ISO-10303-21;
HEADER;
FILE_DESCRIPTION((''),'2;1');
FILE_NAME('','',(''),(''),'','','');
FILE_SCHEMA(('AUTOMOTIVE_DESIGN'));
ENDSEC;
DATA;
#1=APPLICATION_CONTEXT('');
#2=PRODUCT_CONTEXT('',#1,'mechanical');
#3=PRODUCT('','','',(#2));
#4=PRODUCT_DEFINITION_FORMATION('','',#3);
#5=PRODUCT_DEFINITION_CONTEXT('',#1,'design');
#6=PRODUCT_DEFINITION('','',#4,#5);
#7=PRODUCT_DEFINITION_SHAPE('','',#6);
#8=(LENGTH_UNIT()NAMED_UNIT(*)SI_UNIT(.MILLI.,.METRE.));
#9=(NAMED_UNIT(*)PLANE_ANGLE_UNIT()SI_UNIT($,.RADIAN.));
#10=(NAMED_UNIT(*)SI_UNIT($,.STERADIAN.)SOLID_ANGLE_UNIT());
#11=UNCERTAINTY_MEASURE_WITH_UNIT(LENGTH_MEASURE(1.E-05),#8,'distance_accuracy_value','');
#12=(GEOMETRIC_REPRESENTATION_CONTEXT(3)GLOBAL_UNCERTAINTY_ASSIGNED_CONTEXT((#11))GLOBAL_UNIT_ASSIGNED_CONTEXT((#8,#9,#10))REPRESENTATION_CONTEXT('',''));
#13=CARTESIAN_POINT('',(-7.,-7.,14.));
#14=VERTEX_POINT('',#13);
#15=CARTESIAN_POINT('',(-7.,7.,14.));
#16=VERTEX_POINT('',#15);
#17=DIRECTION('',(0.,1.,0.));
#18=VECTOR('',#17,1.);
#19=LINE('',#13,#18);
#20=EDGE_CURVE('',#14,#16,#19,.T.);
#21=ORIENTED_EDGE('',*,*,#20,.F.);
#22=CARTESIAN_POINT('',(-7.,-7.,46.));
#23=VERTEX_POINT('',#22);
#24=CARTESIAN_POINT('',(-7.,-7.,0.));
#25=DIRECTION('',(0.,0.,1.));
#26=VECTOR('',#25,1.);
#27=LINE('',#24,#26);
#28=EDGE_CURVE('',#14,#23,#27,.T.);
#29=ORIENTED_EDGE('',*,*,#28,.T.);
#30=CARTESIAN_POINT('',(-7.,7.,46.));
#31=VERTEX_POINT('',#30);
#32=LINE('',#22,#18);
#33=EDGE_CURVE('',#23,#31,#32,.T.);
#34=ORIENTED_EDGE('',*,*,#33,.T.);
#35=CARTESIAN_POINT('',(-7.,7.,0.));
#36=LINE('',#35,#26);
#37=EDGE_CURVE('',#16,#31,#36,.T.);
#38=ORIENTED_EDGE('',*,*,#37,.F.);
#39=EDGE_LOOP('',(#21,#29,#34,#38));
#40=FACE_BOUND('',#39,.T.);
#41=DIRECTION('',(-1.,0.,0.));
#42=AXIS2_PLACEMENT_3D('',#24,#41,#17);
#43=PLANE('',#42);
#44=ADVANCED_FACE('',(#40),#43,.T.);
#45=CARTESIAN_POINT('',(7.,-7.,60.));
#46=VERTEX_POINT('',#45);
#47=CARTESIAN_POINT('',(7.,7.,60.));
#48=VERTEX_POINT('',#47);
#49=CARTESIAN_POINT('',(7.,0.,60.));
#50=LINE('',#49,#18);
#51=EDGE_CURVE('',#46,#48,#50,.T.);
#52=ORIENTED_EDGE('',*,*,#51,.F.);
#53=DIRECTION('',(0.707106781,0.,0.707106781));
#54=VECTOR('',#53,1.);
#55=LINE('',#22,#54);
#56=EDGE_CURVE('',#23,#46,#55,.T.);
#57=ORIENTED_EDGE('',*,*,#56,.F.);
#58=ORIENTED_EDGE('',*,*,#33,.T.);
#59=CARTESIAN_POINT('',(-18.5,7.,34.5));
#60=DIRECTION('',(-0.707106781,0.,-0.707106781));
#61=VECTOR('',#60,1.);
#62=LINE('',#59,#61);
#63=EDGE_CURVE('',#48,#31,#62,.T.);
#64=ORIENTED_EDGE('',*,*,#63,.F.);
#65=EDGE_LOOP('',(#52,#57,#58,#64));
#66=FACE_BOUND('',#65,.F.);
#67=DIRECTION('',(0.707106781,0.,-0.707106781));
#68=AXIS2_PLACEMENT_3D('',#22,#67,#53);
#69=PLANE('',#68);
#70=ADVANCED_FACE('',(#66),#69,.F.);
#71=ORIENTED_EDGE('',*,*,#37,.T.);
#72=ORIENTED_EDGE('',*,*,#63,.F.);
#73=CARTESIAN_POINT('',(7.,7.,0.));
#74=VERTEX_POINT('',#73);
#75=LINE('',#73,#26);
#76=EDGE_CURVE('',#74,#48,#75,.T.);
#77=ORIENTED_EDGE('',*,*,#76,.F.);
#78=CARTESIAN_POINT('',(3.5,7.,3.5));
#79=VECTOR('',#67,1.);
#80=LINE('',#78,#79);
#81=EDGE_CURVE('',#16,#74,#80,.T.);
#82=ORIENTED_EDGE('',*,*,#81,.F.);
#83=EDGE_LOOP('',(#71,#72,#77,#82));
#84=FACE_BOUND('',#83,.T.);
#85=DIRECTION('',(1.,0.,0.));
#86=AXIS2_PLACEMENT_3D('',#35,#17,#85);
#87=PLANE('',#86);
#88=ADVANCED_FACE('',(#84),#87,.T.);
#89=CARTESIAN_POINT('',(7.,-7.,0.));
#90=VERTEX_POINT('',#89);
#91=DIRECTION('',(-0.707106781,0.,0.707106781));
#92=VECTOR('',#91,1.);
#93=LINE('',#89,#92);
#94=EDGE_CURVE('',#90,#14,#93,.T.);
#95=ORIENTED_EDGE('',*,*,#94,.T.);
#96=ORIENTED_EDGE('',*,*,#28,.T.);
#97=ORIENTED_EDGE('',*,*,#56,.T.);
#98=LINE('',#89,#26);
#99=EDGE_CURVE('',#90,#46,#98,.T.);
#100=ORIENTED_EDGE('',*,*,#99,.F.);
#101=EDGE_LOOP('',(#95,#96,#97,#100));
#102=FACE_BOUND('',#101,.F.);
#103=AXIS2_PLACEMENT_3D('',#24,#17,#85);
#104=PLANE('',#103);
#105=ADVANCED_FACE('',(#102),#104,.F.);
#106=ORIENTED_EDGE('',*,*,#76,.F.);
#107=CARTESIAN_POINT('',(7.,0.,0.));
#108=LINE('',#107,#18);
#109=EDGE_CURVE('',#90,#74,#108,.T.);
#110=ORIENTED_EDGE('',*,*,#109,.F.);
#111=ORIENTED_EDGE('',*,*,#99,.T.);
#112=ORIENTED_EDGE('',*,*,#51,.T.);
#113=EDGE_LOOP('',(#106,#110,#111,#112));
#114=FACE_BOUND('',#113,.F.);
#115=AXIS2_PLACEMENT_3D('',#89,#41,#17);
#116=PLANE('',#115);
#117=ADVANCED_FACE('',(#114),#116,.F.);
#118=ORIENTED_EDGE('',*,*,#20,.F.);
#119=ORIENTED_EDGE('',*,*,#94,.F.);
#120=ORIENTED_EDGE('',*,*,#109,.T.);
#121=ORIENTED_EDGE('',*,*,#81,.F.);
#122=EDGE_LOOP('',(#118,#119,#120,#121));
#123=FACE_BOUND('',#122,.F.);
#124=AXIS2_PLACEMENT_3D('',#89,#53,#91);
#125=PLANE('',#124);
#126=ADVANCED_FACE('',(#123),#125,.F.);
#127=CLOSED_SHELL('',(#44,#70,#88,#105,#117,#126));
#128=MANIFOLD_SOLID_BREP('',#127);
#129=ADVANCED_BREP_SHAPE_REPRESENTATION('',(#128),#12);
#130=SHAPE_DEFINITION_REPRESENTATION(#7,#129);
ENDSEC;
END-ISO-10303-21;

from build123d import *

# Parameters (mm, degrees)
F0_W     = 14
F0_H     = 14
F1_DEPTH = 60
F3_DEPTH = 25
F5_DEPTH = 25


with BuildPart() as f1:
    # F0 (on Top) → F1 (new body)
    with BuildSketch(Plane.XY):
        Rectangle(F0_W, F0_H)
    extrude(amount=F1_DEPTH)

    # F2 (on face) → F3 (cut)
    with BuildSketch(Plane.XZ.offset(7)):
        Polygon((-7, 46), (7, 60), (-7, 60), align=None)
    extrude(amount=-F3_DEPTH, mode=Mode.SUBTRACT)

    # F4 (on face) → F5 (cut)
    with BuildSketch(Plane.XZ.offset(7)):
        Polygon((-7, 0), (7, 0), (-7, 14), align=None)
    extrude(amount=-F5_DEPTH, mode=Mode.SUBTRACT)


solid = f1.part
